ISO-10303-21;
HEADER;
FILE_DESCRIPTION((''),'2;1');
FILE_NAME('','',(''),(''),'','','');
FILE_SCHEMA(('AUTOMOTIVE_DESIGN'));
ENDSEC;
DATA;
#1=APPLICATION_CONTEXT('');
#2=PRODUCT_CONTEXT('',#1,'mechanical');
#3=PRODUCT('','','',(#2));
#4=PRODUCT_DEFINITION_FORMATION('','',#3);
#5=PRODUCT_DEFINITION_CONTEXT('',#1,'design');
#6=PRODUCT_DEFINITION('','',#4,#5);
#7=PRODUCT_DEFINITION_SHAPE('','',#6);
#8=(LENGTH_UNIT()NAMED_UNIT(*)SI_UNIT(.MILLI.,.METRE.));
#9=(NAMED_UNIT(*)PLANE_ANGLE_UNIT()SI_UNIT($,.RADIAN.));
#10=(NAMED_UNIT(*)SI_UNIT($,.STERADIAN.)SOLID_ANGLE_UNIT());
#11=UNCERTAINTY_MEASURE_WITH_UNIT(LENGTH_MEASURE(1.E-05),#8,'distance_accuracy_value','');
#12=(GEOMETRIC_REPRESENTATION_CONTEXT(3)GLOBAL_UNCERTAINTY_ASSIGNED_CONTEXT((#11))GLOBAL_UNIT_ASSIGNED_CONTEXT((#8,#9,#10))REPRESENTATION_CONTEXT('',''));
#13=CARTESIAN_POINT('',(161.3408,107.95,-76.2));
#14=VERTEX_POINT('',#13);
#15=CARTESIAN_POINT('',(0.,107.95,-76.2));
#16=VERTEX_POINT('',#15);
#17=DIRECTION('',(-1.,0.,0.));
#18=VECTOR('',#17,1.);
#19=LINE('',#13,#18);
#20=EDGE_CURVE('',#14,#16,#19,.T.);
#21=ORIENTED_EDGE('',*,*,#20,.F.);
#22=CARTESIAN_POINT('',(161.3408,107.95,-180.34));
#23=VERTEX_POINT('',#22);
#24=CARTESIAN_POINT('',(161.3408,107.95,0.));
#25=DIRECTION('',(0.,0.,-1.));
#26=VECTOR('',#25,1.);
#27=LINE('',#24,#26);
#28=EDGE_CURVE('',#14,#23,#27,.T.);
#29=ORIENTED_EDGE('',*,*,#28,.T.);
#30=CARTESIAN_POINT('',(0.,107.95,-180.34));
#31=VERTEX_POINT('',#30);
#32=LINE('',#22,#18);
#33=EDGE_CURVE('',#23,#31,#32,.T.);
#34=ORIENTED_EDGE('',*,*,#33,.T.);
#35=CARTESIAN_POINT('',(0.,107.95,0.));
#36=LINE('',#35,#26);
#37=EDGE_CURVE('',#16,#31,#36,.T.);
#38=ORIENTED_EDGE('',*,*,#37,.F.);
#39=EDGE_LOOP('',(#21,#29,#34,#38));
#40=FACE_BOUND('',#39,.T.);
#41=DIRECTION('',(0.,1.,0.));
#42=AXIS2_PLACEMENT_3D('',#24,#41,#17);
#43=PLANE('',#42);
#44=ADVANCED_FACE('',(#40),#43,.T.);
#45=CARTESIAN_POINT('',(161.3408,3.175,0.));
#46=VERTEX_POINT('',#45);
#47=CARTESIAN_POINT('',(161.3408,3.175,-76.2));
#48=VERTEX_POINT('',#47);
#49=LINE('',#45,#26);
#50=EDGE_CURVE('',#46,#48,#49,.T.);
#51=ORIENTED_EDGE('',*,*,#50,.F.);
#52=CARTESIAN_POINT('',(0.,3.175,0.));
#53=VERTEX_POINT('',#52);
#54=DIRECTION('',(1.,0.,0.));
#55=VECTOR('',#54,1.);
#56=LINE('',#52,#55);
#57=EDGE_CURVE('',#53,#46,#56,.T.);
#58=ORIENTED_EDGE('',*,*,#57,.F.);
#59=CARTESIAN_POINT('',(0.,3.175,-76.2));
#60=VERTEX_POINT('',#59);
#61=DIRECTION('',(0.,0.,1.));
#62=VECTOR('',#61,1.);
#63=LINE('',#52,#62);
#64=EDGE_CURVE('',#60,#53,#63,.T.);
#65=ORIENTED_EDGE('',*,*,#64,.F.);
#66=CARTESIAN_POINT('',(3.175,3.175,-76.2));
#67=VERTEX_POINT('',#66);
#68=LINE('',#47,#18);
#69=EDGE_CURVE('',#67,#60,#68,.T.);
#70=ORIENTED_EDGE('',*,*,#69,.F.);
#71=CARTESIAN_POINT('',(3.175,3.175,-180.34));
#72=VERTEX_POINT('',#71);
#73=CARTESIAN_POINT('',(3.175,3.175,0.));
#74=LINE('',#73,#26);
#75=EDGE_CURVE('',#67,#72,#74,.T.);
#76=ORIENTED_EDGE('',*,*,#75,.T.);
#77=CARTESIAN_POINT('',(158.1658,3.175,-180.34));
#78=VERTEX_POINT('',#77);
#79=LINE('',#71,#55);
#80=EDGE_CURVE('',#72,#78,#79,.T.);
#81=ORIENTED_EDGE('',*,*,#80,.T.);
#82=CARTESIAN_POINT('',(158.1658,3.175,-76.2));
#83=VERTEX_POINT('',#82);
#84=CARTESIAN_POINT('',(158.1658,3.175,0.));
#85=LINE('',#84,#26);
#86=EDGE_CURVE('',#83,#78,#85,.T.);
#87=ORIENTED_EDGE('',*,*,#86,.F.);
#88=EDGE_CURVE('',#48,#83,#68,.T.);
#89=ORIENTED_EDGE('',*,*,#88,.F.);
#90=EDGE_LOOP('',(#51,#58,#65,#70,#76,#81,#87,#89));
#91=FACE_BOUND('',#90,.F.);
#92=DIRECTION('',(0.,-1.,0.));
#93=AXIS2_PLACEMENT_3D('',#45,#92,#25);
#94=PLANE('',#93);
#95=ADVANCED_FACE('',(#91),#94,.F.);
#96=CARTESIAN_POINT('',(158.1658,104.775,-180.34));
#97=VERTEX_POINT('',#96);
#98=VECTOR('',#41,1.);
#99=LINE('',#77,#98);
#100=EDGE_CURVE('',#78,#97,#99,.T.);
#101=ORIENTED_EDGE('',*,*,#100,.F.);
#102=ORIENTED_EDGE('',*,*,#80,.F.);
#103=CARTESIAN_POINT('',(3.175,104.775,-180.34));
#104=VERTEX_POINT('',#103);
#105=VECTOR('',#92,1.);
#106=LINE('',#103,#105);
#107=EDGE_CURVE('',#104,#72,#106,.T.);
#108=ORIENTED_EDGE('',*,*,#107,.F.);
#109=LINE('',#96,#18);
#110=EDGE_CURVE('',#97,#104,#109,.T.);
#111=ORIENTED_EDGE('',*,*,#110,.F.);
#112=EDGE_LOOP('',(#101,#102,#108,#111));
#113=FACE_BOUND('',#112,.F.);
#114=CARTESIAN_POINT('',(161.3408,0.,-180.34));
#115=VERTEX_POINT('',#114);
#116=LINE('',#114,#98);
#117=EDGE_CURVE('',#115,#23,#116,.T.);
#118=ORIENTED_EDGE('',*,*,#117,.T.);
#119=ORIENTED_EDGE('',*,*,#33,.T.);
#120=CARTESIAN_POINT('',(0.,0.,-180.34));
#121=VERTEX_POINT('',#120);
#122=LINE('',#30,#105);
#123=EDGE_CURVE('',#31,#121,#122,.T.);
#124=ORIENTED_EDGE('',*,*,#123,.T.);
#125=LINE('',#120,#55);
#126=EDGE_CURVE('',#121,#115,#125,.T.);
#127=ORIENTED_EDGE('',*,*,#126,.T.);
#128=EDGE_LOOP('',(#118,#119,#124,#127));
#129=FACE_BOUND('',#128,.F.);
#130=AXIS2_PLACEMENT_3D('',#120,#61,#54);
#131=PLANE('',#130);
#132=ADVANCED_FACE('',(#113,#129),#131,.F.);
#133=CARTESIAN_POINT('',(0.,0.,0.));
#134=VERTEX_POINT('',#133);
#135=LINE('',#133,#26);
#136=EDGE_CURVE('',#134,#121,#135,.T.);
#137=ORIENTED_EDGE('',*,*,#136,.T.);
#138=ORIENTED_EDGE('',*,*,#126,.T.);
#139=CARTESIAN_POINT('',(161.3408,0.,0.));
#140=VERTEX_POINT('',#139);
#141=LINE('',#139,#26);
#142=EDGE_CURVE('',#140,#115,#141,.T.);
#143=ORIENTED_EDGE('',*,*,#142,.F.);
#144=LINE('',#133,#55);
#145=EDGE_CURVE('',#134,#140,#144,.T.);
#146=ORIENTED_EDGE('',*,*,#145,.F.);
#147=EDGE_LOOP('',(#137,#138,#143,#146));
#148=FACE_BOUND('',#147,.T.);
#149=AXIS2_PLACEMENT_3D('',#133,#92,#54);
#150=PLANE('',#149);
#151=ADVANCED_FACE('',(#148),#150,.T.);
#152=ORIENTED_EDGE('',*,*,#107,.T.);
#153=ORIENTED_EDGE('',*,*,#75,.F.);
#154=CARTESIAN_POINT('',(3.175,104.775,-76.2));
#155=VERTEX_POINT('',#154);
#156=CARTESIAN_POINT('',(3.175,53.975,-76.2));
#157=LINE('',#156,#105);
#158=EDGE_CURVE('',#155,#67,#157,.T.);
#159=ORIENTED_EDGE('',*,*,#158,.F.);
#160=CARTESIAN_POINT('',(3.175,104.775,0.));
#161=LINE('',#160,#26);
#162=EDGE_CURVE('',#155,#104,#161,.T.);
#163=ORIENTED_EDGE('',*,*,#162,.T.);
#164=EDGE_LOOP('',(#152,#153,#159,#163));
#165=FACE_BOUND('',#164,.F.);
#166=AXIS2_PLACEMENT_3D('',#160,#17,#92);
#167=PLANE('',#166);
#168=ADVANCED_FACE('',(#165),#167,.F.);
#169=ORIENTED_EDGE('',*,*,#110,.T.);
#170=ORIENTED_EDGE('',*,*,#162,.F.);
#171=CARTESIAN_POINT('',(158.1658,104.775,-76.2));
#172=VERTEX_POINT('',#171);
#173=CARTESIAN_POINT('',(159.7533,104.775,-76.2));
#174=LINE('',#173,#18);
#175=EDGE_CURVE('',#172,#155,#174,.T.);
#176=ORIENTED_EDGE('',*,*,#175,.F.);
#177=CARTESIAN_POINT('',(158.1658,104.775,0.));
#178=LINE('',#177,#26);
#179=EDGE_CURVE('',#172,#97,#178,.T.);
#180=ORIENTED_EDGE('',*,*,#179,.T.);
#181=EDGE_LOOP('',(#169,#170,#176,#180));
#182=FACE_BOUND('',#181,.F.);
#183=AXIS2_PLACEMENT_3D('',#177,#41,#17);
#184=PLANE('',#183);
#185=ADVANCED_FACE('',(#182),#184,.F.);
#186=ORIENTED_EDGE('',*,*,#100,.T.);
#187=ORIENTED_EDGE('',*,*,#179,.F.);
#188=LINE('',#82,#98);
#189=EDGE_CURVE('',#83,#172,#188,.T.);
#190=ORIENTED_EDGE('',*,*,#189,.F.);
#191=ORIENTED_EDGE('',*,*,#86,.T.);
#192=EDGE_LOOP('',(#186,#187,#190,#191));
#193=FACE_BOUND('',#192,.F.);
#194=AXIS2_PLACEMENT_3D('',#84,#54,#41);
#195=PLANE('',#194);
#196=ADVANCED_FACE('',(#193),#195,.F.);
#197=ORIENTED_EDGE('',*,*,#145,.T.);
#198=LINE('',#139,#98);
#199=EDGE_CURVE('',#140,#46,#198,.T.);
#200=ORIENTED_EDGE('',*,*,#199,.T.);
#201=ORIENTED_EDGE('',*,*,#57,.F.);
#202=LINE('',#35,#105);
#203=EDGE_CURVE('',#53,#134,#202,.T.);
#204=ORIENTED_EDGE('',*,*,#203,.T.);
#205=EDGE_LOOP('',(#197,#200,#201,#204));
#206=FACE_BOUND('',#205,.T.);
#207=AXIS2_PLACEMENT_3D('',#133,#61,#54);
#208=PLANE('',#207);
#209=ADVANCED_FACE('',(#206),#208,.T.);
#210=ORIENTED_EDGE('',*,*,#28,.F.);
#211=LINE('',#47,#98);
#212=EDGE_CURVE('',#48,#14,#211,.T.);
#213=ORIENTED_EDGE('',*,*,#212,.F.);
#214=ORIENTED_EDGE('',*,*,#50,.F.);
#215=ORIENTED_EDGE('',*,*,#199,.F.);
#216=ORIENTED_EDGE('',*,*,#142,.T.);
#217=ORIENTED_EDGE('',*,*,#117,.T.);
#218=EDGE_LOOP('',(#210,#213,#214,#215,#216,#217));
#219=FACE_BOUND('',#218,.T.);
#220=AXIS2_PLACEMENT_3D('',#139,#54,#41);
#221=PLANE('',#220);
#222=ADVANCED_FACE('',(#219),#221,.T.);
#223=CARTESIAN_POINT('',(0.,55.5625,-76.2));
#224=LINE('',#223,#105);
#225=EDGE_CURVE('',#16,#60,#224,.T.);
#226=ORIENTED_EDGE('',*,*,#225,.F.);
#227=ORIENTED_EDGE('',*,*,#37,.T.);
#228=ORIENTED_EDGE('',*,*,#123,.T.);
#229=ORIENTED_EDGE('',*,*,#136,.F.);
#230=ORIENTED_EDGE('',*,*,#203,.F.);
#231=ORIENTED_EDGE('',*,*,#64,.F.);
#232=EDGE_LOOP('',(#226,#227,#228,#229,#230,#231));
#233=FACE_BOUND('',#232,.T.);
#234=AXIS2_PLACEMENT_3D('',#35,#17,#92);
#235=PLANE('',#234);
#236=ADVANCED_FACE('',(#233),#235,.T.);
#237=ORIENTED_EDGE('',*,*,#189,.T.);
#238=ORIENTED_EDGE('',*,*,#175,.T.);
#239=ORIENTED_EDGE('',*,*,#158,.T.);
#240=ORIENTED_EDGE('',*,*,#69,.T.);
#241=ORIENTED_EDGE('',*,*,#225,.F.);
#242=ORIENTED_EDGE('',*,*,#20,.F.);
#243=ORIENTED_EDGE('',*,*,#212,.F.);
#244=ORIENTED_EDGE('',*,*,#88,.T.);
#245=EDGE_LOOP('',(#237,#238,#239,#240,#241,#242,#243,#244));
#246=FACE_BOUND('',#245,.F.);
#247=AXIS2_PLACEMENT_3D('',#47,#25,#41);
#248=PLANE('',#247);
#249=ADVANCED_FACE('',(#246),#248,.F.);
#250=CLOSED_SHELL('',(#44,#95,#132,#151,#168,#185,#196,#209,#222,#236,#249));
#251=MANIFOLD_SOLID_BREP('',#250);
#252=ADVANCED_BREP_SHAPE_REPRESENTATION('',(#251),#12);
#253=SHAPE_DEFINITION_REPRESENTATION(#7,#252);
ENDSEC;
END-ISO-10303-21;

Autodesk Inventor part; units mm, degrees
ref_plane "YZ Plane" through (0, 0, 0) normal (1, 0, 0) x (0, 1, 0)
ref_plane "XZ Plane" through (0, 0, 0) normal (0, 1, 0) x (-1, 0, 0)
ref_plane "XY Plane" through (0, 0, 0) normal (0, 0, 1) x (1, 0, 0)
sketch "Sketch1" plane through (0, 0, 0) normal (0, 0, 1) x (1, 0, 0)
  line L0 (0, 0) -> (161.3408, 0)
  line L1 (161.3408, 0) -> (161.3408, 107.95)
  line L2 (161.3408, 107.95) -> (0, 107.95)
  line L3 (0, 107.95) -> (0, 0)
  line L4 (3.175, 3.175) -> (158.1658, 3.175)
  line L5 (158.1658, 3.175) -> (158.1658, 104.775)
  line L6 (158.1658, 104.775) -> (3.175, 104.775)
  line L7 (3.175, 104.775) -> (3.175, 3.175)
  dimension "d0" = 161.3408
  dimension "d1" = 107.95
  dimension "d2" = 154.9908
  dimension "d3" = 101.6
  dimension "d4" = 3.175
  dimension "d5" = 3.175
extrude "Extrusion1" add sketch "Sketch1" against normal blind 180.34
sketch "Sketch2" plane through (161.3408, 0, 0) normal (1, 0, 0) x (0, 0, -1)
  line L0 (0, 3.175) -> (180.34, 3.175) projected
  line L1 (0, 107.95) -> (180.34, 107.95) projected
  line L2 (0, 3.175) -> (76.2, 3.175)
  line L3 (76.2, 3.175) -> (76.2, 107.95)
  line L4 (76.2, 107.95) -> (0, 107.95)
  line L5 (0, 107.95) -> (0, 3.175)
  point P0 (0, 0)
  dimension "d8" = 76.2
extrude "Extrusion2" cut sketch "Sketch2" against normal through all
properties part number "Bucket" material "Polycarbonate, Clear"
